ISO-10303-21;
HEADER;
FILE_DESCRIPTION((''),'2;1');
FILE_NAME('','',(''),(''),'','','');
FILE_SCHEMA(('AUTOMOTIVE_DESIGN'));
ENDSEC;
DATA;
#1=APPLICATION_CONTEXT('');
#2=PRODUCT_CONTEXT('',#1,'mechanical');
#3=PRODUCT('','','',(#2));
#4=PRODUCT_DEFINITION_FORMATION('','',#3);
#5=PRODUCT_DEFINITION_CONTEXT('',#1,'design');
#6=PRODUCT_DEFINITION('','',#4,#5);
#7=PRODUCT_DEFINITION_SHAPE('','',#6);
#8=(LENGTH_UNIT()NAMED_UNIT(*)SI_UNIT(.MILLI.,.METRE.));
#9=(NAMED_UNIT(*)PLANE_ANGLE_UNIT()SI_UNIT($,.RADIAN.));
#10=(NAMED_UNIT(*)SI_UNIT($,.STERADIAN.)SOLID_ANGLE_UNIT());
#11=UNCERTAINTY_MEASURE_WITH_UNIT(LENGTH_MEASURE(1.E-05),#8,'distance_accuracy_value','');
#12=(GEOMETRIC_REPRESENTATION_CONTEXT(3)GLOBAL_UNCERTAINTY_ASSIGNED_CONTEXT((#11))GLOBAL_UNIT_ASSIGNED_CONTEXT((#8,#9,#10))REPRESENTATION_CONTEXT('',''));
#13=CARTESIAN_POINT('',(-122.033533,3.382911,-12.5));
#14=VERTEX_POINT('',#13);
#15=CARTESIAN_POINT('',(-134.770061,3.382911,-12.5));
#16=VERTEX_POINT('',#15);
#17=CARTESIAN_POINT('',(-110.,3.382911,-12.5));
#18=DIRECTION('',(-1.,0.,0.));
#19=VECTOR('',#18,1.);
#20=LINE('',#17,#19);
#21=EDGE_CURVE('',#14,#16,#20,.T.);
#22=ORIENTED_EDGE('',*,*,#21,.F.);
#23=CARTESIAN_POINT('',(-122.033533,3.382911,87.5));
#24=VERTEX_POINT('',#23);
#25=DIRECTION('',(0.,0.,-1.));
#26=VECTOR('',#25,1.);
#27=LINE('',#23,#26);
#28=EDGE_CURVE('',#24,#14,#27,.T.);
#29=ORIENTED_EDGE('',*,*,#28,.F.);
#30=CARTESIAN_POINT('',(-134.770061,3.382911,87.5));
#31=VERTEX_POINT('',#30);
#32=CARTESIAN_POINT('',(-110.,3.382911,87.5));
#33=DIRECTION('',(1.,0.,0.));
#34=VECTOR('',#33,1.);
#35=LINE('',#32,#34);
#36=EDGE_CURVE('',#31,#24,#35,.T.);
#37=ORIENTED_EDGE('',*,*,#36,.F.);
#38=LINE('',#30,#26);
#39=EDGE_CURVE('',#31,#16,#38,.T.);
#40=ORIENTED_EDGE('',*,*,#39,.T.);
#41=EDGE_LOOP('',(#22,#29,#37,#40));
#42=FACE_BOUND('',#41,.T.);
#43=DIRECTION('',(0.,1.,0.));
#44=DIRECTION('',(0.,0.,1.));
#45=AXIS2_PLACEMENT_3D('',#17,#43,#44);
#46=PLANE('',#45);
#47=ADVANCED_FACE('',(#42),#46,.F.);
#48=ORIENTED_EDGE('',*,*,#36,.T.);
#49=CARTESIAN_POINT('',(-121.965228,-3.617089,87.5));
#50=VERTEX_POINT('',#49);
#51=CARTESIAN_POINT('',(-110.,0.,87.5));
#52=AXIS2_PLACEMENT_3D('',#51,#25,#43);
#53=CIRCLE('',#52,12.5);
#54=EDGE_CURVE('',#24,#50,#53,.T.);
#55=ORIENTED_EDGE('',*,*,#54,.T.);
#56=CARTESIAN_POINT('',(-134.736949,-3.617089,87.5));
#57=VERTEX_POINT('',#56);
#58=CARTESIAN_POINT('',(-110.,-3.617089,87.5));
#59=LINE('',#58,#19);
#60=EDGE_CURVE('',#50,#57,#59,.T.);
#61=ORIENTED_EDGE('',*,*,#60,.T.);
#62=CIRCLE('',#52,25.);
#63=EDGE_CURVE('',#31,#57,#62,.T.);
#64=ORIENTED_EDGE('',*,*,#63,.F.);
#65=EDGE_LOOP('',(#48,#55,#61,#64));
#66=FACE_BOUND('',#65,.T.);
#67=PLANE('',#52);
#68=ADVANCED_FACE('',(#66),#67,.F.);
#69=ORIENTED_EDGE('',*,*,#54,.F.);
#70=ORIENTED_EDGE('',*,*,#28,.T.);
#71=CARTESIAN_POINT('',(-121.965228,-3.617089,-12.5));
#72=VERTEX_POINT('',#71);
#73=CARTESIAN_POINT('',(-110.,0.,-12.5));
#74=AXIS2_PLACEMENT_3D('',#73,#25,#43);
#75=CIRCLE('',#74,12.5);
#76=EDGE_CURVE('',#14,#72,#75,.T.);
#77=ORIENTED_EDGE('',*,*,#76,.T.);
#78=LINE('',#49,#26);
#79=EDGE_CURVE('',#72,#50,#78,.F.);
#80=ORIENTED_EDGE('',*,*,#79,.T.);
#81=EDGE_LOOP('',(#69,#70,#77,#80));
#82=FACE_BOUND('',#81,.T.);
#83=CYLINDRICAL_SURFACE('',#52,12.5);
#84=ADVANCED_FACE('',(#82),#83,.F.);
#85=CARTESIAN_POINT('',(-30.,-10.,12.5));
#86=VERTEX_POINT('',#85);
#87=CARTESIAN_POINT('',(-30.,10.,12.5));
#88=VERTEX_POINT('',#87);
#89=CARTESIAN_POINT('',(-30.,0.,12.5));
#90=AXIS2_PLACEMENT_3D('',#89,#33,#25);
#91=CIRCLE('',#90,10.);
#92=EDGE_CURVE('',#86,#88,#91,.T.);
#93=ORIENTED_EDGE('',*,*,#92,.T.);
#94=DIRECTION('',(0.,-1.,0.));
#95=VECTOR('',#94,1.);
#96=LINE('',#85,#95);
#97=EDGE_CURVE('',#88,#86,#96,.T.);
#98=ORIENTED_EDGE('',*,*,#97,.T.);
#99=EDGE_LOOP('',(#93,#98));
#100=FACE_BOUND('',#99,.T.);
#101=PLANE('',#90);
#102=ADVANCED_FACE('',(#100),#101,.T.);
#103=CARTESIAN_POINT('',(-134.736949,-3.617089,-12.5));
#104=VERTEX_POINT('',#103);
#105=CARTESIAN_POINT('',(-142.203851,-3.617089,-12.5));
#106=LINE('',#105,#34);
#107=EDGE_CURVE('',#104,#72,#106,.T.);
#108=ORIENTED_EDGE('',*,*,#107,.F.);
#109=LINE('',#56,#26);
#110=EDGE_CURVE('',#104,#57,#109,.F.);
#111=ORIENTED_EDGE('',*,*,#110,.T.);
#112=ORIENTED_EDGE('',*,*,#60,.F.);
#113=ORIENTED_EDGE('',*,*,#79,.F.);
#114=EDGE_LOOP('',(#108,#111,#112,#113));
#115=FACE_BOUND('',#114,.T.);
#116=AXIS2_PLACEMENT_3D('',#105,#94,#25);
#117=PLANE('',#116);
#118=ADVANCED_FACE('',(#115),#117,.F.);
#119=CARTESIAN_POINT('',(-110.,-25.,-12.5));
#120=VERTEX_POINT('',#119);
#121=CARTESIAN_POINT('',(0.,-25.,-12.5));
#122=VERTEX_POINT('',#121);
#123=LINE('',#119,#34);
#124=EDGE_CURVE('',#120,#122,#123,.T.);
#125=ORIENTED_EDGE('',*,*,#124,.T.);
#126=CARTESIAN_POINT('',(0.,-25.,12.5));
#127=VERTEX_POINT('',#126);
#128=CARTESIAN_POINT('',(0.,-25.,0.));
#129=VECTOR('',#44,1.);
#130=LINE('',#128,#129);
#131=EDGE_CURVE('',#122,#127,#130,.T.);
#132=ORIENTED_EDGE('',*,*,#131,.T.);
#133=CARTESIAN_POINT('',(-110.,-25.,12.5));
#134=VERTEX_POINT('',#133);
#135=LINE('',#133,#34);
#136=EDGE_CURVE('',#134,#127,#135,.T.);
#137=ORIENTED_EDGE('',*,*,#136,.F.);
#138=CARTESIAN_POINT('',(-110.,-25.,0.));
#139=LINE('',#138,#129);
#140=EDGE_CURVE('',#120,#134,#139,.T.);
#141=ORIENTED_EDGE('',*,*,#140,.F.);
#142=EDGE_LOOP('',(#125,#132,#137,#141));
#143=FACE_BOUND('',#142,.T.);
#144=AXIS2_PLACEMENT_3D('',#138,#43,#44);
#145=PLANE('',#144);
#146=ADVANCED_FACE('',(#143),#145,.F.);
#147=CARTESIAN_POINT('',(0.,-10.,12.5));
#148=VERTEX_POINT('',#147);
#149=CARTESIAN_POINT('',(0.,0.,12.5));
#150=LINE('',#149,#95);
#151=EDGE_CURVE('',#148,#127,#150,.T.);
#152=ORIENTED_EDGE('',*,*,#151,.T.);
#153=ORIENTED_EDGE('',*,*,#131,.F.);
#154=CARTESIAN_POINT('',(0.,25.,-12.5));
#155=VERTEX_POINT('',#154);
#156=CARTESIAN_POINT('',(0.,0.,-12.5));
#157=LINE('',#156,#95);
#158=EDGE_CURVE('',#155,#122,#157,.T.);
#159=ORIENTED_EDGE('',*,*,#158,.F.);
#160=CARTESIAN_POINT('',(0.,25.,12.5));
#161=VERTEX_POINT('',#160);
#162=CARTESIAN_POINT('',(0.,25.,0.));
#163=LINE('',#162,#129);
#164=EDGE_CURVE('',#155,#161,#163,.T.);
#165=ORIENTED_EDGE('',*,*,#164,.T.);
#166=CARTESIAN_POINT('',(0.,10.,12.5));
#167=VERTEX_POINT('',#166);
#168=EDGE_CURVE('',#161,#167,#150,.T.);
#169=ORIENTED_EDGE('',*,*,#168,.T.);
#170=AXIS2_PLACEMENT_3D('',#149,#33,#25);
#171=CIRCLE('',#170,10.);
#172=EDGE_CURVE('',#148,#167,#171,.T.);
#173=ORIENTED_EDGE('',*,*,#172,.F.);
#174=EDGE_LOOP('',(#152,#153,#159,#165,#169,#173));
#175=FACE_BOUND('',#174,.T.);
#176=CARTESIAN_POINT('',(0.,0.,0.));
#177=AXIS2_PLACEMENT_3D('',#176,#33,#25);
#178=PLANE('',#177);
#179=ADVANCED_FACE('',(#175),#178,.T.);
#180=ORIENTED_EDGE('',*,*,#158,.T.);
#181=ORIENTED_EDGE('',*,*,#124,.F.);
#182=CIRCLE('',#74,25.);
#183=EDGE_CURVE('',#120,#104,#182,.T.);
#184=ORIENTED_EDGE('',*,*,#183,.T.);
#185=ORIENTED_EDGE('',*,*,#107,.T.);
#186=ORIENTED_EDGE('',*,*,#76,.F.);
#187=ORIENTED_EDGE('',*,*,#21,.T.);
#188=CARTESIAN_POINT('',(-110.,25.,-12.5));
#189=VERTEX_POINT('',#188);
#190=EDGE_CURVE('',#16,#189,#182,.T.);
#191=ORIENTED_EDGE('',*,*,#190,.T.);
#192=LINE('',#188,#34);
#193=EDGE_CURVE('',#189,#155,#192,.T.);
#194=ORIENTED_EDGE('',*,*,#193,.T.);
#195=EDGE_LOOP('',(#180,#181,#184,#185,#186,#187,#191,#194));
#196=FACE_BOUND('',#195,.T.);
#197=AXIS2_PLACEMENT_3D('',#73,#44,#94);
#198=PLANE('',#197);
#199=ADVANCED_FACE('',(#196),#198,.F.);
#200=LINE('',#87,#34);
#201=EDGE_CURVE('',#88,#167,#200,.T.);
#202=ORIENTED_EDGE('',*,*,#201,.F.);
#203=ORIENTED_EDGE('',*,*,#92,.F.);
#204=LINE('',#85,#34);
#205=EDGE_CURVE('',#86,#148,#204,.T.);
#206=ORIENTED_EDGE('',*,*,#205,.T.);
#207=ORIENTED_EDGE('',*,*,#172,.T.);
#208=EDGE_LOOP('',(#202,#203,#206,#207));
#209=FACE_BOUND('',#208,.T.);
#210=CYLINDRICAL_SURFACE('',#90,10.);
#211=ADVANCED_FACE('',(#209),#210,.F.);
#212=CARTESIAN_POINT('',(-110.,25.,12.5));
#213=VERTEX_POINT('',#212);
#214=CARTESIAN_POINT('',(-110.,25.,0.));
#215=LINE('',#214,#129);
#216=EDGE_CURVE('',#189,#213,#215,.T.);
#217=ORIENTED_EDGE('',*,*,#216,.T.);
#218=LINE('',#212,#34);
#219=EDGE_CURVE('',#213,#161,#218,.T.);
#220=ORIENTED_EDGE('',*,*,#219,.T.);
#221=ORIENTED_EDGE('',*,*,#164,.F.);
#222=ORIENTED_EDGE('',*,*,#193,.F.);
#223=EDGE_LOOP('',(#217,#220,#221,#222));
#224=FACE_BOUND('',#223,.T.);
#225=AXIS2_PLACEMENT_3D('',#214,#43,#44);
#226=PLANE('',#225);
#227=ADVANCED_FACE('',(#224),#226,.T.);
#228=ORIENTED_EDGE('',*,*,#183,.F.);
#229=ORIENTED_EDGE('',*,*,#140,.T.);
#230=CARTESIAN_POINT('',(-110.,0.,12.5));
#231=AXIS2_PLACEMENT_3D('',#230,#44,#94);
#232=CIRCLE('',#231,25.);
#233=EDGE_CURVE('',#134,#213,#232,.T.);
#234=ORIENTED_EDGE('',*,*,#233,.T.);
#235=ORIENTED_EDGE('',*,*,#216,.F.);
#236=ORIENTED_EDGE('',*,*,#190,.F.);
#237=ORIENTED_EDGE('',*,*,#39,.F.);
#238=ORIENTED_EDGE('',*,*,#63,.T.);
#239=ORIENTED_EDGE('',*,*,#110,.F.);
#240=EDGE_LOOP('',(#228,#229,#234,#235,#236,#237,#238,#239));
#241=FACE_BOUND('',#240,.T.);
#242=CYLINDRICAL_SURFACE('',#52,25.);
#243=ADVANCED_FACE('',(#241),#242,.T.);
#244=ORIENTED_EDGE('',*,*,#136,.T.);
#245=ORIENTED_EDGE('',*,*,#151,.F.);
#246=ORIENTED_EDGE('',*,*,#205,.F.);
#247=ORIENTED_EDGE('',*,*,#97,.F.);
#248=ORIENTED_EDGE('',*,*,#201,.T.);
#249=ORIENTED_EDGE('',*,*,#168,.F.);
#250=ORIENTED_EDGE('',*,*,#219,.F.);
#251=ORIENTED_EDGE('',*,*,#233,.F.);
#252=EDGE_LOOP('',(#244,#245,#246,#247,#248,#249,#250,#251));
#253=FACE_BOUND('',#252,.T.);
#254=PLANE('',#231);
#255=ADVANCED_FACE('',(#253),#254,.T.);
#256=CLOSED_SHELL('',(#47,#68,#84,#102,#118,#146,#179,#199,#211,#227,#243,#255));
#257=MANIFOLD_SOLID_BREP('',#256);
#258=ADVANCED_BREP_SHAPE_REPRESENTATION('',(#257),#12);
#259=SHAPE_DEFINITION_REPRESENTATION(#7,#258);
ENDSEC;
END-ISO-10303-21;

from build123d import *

# Parameters (mm, degrees)
BOSS_EXTRUDE1_DEPTH     = 110
CUT_EXTRUDE1_DEPTH      = 114.495594628
CUT_EXTRUDE1_DEPTH_BACK = 30
SKETCH5_R               = 25
SKETCH5_R_2             = 12.5
BOSS_EXTRUDE2_DEPTH     = 100
CUT_EXTRUDE2_DEPTH      = 170.852877515
CUT_EXTRUDE2_DEPTH_BACK = 170.852877515
SKETCH6_W               = 32.203850694
SKETCH6_H               = 7
CUT_EXTRUDE3_DEPTH      = 170.670177936
CUT_EXTRUDE3_DEPTH_BACK = 170.670177936
SKETCH7_R               = 12.5


with BuildPart() as part:
    # Sketch1 → Boss-Extrude1 (new body)
    with BuildSketch(Plane.YZ):
        with BuildLine():
            ThreePointArc((10, 12.5), (0, 2.5), (-10, 12.5))
            Line((-10, 12.5), (-25, 12.5))
            Line((-25, 12.5), (-25, -12.5))
            Line((-25, -12.5), (25, -12.5))
            Line((25, -12.5), (25, 12.5))
            Line((25, 12.5), (10, 12.5))
        make_face()
        with BuildLine():
            Line((10, 12.5), (-10, 12.5))
            ThreePointArc((-10, 12.5), (0, 2.5), (10, 12.5))
        make_face()
    extrude(amount=-BOSS_EXTRUDE1_DEPTH)

    # Sketch4 → Cut-Extrude1 (cut, two sides: drawn at the far end of the back side and taken through both)
    with BuildSketch(Plane.YZ.offset(-CUT_EXTRUDE1_DEPTH_BACK)):
        with BuildLine():
            Line((-10, 12.5), (10, 12.5))
            ThreePointArc((10, 12.5), (0, 2.5), (-10, 12.5))
        make_face()
    extrude(amount=CUT_EXTRUDE1_DEPTH + CUT_EXTRUDE1_DEPTH_BACK, mode=Mode.SUBTRACT)

    # Sketch5 → Boss-Extrude2 (add)
    with BuildSketch(Plane(origin=(0, 0, -12.5), x_dir=(1, 0, 0), z_dir=(0, 0, -1))):
        with Locations(Location((-110, 0, 0), (0, 0, 270))):
            Circle(SKETCH5_R)
        with Locations(Location((-110, 0, 0), (0, 0, 270))):
            Circle(SKETCH5_R_2, mode=Mode.SUBTRACT)
    extrude(amount=-BOSS_EXTRUDE2_DEPTH)

    # Sketch6 → Cut-Extrude2 (cut, two sides: drawn at the far end of the back side and taken through both)
    with BuildSketch(Plane.XY.offset(87.5).offset(-CUT_EXTRUDE2_DEPTH_BACK)):
        with Locations((-126.101925347, -0.117088635)):
            Rectangle(SKETCH6_W, SKETCH6_H)
    extrude(amount=CUT_EXTRUDE2_DEPTH + CUT_EXTRUDE2_DEPTH_BACK, mode=Mode.SUBTRACT)

    # Sketch7 → Cut-Extrude3 (cut, two sides: drawn at the far end of the back side and taken through both)
    with BuildSketch(Plane.XY.offset(87.5).offset(-CUT_EXTRUDE3_DEPTH_BACK)):
        with Locations((-110, 0)):
            Circle(SKETCH7_R)
    extrude(amount=CUT_EXTRUDE3_DEPTH + CUT_EXTRUDE3_DEPTH_BACK, mode=Mode.SUBTRACT)


solid = part.part
